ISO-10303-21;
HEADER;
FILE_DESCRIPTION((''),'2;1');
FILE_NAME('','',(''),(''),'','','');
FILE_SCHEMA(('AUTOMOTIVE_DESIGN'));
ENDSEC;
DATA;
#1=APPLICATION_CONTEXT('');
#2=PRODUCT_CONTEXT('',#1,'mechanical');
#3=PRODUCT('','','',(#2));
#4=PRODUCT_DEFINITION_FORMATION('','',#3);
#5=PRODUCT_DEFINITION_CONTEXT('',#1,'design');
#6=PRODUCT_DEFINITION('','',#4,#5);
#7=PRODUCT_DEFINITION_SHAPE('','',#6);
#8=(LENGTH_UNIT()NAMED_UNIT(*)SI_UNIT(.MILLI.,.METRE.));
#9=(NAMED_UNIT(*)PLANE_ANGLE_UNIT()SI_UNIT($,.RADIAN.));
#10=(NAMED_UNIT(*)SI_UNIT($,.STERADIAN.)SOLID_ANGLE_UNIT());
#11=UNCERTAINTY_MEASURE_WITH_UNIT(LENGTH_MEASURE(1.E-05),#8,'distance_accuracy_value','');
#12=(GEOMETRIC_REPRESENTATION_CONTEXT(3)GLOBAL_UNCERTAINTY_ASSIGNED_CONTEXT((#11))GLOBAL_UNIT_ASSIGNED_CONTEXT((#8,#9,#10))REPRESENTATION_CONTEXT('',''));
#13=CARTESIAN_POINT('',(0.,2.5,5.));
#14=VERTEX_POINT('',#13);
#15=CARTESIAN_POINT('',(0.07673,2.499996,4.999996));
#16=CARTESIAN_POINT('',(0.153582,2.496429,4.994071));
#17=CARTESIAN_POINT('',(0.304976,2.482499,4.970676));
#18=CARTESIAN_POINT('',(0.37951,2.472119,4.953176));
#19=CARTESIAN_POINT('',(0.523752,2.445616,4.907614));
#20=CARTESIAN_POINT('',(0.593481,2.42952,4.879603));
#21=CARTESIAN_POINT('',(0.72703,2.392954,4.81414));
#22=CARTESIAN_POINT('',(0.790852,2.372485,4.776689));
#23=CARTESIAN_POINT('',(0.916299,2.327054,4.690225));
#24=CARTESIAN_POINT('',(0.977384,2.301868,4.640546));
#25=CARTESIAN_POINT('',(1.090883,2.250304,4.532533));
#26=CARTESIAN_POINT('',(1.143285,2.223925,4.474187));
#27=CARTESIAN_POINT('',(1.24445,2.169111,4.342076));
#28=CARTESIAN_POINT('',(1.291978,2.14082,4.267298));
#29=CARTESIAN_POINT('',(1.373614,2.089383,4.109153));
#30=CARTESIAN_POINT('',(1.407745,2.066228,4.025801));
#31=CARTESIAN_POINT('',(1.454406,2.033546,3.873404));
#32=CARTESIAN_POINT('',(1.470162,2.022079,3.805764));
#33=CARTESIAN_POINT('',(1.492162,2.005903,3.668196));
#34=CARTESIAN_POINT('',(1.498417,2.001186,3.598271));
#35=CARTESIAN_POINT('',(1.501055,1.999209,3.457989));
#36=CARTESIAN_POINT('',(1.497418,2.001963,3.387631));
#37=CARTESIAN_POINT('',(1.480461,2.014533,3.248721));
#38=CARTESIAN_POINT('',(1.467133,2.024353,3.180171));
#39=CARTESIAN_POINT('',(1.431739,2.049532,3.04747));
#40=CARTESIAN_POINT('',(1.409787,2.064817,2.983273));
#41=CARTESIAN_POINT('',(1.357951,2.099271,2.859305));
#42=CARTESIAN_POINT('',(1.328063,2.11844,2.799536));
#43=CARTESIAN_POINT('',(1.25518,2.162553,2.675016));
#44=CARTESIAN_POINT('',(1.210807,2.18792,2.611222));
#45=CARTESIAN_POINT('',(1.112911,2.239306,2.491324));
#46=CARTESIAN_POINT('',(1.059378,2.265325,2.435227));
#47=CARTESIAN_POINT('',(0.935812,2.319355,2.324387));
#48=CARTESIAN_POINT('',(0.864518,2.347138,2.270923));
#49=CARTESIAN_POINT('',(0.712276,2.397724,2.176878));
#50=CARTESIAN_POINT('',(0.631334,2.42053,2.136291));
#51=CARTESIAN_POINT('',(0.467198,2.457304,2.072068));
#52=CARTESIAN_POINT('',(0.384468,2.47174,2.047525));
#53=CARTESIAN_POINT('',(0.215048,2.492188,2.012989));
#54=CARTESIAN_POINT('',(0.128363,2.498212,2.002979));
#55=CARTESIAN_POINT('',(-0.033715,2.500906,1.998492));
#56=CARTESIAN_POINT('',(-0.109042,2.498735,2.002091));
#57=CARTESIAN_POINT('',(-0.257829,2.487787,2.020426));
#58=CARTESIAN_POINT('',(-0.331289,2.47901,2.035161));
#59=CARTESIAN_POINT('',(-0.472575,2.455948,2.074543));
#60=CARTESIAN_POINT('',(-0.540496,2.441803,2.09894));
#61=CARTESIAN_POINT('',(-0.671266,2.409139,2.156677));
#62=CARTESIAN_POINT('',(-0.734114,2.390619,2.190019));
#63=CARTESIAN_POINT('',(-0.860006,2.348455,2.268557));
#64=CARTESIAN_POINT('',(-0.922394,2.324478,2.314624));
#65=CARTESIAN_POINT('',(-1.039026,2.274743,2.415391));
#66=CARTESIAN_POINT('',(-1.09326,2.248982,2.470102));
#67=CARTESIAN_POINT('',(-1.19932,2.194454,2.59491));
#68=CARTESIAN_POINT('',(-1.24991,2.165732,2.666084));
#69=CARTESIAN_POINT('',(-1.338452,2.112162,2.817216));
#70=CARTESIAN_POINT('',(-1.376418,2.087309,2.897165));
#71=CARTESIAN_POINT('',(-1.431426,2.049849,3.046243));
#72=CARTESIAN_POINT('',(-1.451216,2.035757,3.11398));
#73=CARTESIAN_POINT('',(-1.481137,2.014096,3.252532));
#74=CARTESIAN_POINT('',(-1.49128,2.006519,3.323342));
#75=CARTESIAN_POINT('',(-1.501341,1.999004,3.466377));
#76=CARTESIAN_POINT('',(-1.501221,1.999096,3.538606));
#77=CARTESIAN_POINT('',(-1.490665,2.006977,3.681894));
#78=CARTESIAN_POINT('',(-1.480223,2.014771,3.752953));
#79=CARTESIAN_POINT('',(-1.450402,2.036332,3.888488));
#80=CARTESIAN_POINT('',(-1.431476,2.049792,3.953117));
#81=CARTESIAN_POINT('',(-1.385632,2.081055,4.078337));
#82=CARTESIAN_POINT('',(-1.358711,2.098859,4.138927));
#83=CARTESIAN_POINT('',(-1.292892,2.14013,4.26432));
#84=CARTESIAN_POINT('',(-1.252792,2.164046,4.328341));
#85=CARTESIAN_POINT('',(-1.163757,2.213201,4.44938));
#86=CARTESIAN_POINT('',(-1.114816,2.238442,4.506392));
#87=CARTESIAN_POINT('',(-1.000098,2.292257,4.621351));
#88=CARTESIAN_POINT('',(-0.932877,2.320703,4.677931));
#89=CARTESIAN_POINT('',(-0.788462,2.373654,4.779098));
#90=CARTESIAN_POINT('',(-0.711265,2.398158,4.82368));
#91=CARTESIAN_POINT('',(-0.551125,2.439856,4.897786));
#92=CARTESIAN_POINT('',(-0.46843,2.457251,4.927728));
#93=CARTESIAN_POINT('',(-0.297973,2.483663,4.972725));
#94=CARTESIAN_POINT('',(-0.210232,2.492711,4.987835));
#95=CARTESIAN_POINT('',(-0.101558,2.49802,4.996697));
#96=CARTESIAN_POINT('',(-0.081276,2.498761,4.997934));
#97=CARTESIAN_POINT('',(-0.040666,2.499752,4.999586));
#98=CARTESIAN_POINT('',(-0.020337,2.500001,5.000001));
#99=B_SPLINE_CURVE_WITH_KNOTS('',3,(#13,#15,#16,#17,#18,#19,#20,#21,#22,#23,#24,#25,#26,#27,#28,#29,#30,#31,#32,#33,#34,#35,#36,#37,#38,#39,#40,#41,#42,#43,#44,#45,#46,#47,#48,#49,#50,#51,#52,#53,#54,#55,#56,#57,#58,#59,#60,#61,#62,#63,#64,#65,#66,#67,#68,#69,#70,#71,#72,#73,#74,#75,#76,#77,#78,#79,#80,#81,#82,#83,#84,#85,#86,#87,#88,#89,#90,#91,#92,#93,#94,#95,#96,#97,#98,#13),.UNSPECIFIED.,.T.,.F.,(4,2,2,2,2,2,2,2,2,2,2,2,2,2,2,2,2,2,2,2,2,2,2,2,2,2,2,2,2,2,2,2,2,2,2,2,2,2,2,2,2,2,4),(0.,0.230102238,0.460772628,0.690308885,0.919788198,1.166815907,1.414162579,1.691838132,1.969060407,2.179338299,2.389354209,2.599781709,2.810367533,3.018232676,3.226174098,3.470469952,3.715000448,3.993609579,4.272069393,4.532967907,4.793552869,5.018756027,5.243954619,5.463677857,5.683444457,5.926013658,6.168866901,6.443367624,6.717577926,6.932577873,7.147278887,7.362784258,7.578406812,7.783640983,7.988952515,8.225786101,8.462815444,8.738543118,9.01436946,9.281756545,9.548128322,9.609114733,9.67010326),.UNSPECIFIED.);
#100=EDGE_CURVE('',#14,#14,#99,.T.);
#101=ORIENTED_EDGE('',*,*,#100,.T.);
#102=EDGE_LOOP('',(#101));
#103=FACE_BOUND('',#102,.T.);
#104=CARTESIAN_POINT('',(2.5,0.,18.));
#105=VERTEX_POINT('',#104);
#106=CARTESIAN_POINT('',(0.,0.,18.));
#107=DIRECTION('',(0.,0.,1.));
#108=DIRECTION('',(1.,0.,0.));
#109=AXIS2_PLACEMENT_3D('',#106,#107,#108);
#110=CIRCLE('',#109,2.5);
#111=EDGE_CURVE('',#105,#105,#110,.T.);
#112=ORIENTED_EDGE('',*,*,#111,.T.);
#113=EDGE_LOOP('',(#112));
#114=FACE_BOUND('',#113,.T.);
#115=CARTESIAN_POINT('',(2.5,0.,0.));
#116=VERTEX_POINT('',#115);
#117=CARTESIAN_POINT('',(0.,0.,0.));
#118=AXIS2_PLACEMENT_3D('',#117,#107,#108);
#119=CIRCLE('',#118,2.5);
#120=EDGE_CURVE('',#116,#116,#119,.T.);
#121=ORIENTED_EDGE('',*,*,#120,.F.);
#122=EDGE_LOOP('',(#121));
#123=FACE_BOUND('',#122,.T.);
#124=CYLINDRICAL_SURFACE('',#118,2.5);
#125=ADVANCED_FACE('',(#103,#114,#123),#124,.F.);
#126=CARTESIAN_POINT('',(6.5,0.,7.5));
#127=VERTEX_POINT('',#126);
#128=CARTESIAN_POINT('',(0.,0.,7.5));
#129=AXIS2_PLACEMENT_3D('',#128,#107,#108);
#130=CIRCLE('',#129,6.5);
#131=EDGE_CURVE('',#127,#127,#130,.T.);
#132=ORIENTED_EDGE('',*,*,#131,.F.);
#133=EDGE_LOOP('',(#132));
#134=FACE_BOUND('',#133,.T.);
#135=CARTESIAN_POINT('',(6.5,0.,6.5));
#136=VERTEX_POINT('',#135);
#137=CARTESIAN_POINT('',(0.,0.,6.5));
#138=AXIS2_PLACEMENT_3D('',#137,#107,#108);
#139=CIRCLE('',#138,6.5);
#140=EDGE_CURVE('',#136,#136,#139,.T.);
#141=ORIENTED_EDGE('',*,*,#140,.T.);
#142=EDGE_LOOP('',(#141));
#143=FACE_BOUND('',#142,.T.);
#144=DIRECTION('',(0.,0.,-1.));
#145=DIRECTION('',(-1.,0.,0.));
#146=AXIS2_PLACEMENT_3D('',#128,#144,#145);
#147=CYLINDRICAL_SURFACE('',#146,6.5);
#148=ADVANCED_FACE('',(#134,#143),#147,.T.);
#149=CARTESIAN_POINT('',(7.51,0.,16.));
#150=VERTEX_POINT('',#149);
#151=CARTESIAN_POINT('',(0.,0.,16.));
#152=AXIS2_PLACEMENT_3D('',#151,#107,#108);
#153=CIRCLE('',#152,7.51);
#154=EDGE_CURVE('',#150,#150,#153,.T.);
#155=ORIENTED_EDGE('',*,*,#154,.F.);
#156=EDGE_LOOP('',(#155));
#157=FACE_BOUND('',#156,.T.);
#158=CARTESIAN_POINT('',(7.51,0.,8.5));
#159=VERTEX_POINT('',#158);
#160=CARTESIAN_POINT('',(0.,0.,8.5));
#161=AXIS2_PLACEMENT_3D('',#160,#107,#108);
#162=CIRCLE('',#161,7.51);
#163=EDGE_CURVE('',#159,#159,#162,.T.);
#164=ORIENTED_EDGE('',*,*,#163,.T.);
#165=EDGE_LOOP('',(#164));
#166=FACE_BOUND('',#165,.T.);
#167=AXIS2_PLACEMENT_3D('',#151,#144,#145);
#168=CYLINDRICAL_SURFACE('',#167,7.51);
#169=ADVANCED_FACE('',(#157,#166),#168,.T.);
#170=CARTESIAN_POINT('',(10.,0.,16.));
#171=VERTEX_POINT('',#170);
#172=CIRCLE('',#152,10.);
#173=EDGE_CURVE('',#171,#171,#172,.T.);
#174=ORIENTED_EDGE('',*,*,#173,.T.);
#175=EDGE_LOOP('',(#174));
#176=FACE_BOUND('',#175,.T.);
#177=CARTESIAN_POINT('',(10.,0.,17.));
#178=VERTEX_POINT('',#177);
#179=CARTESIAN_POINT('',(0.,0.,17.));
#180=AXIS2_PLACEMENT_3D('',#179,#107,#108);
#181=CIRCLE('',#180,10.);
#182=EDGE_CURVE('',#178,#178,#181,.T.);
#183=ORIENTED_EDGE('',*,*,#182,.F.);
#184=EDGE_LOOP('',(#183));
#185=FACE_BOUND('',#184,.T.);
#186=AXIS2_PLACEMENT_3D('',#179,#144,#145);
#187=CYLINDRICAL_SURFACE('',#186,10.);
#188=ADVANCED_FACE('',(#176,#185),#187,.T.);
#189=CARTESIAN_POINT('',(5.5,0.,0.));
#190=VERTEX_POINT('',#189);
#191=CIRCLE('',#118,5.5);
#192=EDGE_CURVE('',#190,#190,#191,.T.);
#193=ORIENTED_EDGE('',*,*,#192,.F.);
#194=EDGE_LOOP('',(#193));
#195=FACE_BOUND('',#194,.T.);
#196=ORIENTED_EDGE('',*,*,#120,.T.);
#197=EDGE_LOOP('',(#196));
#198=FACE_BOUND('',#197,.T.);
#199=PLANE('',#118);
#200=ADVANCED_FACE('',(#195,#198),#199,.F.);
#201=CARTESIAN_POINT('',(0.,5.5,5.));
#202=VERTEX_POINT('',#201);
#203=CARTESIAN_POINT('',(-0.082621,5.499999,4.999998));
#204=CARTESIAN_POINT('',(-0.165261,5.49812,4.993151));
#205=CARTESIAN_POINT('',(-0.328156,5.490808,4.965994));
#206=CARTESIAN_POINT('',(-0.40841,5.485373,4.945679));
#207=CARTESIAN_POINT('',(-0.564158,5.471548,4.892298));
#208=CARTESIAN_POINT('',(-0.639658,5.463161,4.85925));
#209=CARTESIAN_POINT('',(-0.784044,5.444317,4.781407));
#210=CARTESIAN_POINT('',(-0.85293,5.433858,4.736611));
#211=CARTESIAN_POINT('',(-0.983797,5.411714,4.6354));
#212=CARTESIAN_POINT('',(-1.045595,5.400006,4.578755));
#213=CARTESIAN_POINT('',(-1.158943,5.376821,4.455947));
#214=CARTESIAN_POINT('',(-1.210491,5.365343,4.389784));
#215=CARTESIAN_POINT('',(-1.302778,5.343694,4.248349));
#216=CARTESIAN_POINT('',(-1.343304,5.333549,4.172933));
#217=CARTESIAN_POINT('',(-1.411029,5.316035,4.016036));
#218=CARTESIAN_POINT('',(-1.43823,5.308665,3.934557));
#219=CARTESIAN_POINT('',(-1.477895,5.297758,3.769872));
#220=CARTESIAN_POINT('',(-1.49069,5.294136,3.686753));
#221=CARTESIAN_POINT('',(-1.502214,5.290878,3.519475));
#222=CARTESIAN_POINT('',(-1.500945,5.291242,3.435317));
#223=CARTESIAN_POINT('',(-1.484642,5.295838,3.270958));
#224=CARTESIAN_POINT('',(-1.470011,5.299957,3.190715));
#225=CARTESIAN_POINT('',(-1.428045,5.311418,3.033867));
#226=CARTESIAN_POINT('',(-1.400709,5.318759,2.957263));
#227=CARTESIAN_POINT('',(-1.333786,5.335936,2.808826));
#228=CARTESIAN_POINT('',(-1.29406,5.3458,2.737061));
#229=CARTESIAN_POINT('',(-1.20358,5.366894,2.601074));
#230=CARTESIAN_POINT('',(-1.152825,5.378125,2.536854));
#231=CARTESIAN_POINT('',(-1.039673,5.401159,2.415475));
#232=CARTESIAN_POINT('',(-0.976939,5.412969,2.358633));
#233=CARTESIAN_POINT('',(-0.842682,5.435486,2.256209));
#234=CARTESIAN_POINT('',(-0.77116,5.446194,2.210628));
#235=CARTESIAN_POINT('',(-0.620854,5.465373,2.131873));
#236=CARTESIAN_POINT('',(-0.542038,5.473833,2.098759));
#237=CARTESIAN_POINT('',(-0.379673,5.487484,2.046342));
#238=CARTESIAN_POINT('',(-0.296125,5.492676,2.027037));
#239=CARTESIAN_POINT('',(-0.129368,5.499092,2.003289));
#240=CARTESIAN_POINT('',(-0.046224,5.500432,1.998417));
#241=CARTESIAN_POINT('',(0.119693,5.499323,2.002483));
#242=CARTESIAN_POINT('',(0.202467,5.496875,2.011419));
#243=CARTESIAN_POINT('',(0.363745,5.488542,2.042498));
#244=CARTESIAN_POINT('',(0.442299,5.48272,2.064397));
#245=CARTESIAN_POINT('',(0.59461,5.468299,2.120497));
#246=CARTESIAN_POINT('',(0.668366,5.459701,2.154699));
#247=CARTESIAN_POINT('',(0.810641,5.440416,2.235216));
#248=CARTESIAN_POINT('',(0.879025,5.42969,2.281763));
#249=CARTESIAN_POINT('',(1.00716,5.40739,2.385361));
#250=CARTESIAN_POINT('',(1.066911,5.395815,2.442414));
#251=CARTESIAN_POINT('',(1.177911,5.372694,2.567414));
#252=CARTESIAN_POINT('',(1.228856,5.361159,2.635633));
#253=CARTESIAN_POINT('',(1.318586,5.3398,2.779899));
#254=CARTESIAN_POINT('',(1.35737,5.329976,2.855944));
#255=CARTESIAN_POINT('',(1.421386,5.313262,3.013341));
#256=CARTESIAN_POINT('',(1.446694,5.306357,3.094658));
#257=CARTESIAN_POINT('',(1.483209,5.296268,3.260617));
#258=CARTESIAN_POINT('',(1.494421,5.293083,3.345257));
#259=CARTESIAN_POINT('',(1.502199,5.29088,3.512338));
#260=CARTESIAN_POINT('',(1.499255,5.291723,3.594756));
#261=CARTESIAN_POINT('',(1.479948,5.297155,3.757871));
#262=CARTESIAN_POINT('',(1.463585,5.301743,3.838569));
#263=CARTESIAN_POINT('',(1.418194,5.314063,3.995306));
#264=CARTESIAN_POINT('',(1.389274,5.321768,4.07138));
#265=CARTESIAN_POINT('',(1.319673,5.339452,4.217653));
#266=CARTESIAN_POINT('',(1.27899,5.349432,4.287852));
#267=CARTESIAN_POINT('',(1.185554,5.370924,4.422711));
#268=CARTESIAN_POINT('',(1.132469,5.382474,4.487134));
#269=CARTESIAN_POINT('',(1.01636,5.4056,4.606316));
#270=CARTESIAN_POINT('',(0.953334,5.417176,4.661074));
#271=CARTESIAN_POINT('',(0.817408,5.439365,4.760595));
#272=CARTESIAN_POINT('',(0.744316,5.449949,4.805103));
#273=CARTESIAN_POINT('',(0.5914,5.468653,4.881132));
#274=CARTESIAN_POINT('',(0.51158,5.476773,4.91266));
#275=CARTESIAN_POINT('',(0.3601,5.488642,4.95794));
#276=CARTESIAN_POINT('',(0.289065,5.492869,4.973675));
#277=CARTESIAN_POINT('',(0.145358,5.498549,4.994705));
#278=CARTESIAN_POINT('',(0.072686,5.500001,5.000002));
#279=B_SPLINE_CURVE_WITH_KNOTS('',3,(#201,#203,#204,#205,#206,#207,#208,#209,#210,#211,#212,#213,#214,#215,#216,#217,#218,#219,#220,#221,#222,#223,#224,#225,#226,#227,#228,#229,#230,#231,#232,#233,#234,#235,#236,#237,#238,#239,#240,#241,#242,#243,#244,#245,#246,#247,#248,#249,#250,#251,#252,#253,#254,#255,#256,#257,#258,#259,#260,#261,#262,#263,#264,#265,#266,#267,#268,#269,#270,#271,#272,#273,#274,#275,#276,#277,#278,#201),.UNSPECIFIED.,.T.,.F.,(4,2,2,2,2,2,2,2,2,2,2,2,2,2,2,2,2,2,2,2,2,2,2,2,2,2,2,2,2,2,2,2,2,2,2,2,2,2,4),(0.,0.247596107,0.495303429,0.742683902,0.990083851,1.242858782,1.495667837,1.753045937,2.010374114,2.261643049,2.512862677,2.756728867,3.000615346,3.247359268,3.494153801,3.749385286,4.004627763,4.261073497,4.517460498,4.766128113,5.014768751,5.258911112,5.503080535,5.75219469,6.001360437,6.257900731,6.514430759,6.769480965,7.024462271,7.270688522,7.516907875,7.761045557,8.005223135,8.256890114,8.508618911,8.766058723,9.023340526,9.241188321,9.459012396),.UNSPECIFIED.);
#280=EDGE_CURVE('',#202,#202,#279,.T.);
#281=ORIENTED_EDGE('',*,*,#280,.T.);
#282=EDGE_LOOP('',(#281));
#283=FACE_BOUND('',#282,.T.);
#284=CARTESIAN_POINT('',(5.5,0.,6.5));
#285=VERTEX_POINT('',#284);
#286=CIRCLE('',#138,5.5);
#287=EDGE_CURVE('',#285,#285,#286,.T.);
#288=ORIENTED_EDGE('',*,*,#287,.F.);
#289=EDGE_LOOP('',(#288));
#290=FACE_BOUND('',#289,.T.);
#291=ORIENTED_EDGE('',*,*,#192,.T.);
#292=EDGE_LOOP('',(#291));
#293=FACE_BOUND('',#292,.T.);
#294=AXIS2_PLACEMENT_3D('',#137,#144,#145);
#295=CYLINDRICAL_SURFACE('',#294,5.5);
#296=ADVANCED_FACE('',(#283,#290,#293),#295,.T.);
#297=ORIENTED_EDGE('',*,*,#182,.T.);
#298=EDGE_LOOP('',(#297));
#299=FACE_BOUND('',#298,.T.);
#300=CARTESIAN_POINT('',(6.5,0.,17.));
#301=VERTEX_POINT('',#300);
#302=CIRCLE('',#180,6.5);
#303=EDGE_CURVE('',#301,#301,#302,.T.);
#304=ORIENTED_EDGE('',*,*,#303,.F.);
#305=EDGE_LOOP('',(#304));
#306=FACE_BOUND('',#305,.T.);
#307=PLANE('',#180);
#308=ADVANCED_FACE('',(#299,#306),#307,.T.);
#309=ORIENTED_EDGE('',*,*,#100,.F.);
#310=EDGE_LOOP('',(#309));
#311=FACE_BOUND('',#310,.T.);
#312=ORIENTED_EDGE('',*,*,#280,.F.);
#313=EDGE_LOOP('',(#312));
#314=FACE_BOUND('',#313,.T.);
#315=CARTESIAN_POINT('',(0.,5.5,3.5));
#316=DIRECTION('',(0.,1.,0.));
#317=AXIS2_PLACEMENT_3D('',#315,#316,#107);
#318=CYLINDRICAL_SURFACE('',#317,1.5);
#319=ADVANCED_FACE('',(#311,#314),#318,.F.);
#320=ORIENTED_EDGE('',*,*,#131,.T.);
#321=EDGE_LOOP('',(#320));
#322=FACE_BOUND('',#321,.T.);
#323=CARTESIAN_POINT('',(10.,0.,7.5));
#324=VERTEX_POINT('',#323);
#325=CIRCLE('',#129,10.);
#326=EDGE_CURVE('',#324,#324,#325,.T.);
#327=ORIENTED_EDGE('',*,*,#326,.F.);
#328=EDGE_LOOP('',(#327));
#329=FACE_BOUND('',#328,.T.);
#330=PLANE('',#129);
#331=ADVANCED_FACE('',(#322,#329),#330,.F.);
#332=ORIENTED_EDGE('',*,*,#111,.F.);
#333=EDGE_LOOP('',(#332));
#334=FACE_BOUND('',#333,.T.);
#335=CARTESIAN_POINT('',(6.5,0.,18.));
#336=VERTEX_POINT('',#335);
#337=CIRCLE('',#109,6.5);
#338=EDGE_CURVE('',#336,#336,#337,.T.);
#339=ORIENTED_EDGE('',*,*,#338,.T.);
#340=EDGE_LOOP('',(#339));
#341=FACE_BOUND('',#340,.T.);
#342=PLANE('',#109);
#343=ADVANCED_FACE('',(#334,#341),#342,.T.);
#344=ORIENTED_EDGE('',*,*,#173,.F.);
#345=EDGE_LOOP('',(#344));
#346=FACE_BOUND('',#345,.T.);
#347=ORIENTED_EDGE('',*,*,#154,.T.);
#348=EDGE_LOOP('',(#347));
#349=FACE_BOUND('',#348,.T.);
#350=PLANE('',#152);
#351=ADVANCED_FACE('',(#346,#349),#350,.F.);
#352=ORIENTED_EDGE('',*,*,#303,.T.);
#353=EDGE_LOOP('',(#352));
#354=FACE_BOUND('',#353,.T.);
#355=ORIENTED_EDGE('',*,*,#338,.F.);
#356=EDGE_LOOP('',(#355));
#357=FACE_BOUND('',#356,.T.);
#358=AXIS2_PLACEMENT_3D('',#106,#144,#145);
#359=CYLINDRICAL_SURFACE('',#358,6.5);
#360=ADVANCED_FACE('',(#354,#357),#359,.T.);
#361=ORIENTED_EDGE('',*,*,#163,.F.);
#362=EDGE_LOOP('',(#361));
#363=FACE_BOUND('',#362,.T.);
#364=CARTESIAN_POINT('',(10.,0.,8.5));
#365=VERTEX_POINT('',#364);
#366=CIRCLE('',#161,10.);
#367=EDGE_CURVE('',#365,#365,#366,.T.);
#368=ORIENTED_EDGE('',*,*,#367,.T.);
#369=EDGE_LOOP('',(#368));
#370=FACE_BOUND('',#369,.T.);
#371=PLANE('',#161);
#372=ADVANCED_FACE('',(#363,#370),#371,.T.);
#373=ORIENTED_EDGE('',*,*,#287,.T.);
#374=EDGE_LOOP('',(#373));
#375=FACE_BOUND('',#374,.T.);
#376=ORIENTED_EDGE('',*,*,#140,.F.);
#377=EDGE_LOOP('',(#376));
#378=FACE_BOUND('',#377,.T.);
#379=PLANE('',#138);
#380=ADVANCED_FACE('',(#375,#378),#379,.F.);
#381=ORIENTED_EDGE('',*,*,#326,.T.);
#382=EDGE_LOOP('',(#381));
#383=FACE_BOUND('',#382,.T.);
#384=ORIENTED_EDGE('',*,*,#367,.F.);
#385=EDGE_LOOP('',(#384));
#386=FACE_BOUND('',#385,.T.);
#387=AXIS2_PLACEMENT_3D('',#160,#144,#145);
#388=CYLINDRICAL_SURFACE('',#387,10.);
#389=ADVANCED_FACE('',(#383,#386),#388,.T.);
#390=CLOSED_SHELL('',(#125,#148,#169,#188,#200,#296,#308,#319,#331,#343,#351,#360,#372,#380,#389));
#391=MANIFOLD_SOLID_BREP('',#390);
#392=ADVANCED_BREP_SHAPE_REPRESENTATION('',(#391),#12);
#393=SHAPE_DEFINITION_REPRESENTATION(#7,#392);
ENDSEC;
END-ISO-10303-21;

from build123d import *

# Parameters (mm, degrees)
SKETCH1_R                 = 5.5
BOSS_EXTRUDE1_DEPTH       = 6.5
SKETCH2_R                 = 6.5
BOSS_EXTRUDE2_DEPTH       = 1
SKETCH3_R                 = 10
BOSS_EXTRUDE3_DEPTH       = 1
SKETCH4_R                 = 7.51
BOSS_EXTRUDE4_DEPTH       = 7.5
SKETCH5_R                 = 10
BOSS_EXTRUDE5_DEPTH       = 1
SKETCH6_R                 = 6.5
BOSS_EXTRUDE6_DEPTH       = 1
SKETCH7_R                 = 2.5
CUT_EXTRUDE1_DEPTH        = 23.891046285
F_3_0MM_DOWEL_HOLE1_D     = 3
F_3_0MM_DOWEL_HOLE1_DEPTH = 5.5
F_3_0MM_DOWEL_HOLE1_TIP   = 0.901290929


with BuildPart() as part:
    # Sketch1 → Boss-Extrude1 (new body)
    with BuildSketch(Plane.XY):
        with Locations(Location((0, 0, 0), (0, 0, 180))):
            Circle(SKETCH1_R)
    extrude(amount=BOSS_EXTRUDE1_DEPTH)

    # Sketch2 → Boss-Extrude2 (add)
    with BuildSketch(Plane.XY.offset(6.5)):
        Circle(SKETCH2_R)
    extrude(amount=BOSS_EXTRUDE2_DEPTH)

    # Sketch3 → Boss-Extrude3 (add)
    with BuildSketch(Plane.XY.offset(7.5)):
        Circle(SKETCH3_R)
    extrude(amount=BOSS_EXTRUDE3_DEPTH)

    # Sketch4 → Boss-Extrude4 (add)
    with BuildSketch(Plane.XY.offset(8.5)):
        Circle(SKETCH4_R)
    extrude(amount=BOSS_EXTRUDE4_DEPTH)

    # Sketch5 → Boss-Extrude5 (add)
    with BuildSketch(Plane.XY.offset(16)):
        Circle(SKETCH5_R)
    extrude(amount=BOSS_EXTRUDE5_DEPTH)

    # Sketch6 → Boss-Extrude6 (add)
    with BuildSketch(Plane.XY.offset(17)):
        Circle(SKETCH6_R)
    extrude(amount=BOSS_EXTRUDE6_DEPTH)

    # Sketch7 → Cut-Extrude1 (cut, through all)
    with BuildSketch(Plane.XY.offset(18)):
        Circle(SKETCH7_R)
    extrude(amount=-CUT_EXTRUDE1_DEPTH, mode=Mode.SUBTRACT)

    # Ø3.0mm Dowel Hole1
    with Locations(Plane(origin=(0, 5.5, 3.5), x_dir=(1, 0, 0), z_dir=(0, 1, 0))):
        with Locations((0, 0)):
            Hole(F_3_0MM_DOWEL_HOLE1_D / 2, depth=F_3_0MM_DOWEL_HOLE1_DEPTH)
            with Locations((0, 0, -(F_3_0MM_DOWEL_HOLE1_DEPTH + F_3_0MM_DOWEL_HOLE1_TIP / 2))):  # 118° drill point
                Cone(0, F_3_0MM_DOWEL_HOLE1_D / 2, F_3_0MM_DOWEL_HOLE1_TIP, mode=Mode.SUBTRACT)


solid = part.part
